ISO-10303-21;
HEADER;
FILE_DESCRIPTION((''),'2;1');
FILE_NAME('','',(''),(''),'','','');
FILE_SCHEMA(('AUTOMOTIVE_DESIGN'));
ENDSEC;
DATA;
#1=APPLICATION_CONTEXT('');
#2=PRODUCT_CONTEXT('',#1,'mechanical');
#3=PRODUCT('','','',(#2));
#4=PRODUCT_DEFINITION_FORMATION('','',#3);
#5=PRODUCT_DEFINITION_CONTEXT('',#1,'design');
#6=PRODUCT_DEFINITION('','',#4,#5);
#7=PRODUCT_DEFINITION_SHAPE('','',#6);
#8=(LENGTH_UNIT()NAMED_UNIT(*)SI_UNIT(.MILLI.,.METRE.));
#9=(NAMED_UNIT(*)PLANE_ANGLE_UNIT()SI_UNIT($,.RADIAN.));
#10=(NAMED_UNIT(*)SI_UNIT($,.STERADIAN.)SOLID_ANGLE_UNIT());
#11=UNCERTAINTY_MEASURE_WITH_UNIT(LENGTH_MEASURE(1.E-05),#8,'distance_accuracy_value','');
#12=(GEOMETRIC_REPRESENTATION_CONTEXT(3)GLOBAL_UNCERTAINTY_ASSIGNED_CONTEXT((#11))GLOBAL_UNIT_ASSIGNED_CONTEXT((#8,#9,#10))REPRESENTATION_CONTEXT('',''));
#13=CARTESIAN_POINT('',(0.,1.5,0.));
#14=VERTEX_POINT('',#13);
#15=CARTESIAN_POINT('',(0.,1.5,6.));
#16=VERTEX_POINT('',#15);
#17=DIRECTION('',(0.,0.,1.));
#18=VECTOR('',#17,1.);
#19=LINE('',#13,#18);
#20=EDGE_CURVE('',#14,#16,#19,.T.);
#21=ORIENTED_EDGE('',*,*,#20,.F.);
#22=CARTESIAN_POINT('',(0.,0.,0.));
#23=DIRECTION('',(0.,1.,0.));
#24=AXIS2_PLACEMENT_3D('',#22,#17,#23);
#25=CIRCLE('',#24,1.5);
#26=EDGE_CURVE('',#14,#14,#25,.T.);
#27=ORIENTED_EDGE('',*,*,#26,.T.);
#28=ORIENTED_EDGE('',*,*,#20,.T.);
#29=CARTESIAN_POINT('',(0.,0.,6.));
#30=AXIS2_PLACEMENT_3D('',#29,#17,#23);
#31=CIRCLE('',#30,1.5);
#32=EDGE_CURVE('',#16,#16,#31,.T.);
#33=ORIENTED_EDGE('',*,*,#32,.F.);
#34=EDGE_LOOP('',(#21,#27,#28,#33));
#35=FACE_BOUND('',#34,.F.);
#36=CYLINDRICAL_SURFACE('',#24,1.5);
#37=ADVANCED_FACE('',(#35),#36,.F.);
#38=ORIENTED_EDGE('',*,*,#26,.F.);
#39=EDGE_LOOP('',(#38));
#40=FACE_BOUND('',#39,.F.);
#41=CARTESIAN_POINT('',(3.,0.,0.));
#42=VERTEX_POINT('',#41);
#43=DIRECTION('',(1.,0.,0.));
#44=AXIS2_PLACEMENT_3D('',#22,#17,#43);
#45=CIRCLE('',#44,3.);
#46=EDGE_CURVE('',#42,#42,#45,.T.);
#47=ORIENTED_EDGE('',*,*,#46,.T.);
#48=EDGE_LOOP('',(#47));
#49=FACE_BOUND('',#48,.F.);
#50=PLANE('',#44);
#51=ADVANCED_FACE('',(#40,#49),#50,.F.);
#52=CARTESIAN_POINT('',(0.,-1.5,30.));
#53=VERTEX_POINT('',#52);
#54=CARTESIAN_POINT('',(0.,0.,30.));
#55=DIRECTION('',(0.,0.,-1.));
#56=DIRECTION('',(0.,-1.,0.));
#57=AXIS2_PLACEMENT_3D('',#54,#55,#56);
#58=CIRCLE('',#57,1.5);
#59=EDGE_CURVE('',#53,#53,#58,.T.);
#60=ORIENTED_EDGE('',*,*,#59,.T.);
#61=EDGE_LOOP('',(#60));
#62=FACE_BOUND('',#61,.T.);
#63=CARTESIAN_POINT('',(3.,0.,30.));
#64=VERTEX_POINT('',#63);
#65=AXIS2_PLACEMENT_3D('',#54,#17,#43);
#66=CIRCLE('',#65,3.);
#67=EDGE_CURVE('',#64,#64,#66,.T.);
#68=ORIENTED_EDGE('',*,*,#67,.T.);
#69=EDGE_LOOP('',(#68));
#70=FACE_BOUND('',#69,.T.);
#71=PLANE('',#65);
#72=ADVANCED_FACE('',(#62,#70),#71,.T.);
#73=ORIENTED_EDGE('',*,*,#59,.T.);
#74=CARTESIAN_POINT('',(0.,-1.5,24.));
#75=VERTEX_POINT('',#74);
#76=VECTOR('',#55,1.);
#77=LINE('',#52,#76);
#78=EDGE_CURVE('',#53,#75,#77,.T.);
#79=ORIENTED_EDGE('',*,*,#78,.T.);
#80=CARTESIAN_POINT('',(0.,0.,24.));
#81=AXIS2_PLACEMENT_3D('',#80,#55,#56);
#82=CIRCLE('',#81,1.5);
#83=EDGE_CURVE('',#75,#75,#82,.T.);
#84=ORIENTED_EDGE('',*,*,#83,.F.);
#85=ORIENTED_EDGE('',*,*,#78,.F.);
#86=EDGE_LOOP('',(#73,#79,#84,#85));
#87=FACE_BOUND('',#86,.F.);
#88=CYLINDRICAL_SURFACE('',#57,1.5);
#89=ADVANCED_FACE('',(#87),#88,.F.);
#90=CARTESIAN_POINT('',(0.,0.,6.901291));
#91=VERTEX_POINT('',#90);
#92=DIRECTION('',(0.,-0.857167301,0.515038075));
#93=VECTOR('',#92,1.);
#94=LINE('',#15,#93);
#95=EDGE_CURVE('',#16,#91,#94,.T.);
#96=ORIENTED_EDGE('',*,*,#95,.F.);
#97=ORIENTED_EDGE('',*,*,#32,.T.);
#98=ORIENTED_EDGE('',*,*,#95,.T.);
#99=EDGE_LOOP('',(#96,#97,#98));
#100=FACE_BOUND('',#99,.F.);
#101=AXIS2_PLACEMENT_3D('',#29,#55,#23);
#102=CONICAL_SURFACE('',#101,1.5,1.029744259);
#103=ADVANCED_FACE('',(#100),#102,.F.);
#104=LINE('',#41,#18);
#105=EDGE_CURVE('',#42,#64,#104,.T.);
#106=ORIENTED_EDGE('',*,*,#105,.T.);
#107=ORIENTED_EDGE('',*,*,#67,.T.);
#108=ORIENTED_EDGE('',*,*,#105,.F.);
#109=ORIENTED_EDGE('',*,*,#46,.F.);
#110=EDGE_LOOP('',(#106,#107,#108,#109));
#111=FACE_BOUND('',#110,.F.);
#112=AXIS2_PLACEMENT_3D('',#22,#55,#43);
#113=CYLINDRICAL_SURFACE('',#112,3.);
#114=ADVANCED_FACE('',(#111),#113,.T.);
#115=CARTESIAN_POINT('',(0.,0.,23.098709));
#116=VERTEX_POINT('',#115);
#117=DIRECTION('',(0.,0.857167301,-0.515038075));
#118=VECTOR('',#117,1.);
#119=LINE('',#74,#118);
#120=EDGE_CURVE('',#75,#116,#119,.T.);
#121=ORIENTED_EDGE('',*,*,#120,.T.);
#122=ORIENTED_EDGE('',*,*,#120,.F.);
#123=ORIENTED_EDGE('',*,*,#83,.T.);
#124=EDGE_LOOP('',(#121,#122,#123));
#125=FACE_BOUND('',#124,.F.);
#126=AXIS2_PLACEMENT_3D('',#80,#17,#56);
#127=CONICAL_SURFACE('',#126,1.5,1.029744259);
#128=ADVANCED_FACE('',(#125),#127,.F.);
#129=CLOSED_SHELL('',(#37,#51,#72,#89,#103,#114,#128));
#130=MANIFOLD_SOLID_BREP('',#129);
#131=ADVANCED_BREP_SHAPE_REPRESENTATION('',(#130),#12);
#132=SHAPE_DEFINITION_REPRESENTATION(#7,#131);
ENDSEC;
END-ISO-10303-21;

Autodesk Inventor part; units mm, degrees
ref_plane "YZ Plane" through (0, 0, 0) normal (1, 0, 0) x (0, 1, 0)
ref_plane "XZ Plane" through (0, 0, 0) normal (0, 1, 0) x (-1, 0, 0)
ref_plane "XY Plane" through (0, 0, 0) normal (0, 0, 1) x (1, 0, 0)
sketch "スケッチ1" plane through (0, 0, 0) normal (0, 0, 1) x (1, 0, 0)
  circle A0 centre (0, 0) radius 3
  dimension "d0" = 6
extrude "押し出し1" add sketch "スケッチ1" along normal blind 30
hole "穴1" at (0, 0, 0) direction (0, 0, 1) diameter 3 depth 6 tip angle 118
sketch "スケッチ2" plane through (0, 0, 30) normal (0, 0, 1) x (1, 0, 0)
  circle A0 centre (0, 0) radius 3 projected
hole "穴2" at (0, 0, 30) direction (0, 0, -1) diameter 3 depth 6 tip angle 118
properties part number "スペーサ　m3-l30" material "アルミニウム 2014-T4"
